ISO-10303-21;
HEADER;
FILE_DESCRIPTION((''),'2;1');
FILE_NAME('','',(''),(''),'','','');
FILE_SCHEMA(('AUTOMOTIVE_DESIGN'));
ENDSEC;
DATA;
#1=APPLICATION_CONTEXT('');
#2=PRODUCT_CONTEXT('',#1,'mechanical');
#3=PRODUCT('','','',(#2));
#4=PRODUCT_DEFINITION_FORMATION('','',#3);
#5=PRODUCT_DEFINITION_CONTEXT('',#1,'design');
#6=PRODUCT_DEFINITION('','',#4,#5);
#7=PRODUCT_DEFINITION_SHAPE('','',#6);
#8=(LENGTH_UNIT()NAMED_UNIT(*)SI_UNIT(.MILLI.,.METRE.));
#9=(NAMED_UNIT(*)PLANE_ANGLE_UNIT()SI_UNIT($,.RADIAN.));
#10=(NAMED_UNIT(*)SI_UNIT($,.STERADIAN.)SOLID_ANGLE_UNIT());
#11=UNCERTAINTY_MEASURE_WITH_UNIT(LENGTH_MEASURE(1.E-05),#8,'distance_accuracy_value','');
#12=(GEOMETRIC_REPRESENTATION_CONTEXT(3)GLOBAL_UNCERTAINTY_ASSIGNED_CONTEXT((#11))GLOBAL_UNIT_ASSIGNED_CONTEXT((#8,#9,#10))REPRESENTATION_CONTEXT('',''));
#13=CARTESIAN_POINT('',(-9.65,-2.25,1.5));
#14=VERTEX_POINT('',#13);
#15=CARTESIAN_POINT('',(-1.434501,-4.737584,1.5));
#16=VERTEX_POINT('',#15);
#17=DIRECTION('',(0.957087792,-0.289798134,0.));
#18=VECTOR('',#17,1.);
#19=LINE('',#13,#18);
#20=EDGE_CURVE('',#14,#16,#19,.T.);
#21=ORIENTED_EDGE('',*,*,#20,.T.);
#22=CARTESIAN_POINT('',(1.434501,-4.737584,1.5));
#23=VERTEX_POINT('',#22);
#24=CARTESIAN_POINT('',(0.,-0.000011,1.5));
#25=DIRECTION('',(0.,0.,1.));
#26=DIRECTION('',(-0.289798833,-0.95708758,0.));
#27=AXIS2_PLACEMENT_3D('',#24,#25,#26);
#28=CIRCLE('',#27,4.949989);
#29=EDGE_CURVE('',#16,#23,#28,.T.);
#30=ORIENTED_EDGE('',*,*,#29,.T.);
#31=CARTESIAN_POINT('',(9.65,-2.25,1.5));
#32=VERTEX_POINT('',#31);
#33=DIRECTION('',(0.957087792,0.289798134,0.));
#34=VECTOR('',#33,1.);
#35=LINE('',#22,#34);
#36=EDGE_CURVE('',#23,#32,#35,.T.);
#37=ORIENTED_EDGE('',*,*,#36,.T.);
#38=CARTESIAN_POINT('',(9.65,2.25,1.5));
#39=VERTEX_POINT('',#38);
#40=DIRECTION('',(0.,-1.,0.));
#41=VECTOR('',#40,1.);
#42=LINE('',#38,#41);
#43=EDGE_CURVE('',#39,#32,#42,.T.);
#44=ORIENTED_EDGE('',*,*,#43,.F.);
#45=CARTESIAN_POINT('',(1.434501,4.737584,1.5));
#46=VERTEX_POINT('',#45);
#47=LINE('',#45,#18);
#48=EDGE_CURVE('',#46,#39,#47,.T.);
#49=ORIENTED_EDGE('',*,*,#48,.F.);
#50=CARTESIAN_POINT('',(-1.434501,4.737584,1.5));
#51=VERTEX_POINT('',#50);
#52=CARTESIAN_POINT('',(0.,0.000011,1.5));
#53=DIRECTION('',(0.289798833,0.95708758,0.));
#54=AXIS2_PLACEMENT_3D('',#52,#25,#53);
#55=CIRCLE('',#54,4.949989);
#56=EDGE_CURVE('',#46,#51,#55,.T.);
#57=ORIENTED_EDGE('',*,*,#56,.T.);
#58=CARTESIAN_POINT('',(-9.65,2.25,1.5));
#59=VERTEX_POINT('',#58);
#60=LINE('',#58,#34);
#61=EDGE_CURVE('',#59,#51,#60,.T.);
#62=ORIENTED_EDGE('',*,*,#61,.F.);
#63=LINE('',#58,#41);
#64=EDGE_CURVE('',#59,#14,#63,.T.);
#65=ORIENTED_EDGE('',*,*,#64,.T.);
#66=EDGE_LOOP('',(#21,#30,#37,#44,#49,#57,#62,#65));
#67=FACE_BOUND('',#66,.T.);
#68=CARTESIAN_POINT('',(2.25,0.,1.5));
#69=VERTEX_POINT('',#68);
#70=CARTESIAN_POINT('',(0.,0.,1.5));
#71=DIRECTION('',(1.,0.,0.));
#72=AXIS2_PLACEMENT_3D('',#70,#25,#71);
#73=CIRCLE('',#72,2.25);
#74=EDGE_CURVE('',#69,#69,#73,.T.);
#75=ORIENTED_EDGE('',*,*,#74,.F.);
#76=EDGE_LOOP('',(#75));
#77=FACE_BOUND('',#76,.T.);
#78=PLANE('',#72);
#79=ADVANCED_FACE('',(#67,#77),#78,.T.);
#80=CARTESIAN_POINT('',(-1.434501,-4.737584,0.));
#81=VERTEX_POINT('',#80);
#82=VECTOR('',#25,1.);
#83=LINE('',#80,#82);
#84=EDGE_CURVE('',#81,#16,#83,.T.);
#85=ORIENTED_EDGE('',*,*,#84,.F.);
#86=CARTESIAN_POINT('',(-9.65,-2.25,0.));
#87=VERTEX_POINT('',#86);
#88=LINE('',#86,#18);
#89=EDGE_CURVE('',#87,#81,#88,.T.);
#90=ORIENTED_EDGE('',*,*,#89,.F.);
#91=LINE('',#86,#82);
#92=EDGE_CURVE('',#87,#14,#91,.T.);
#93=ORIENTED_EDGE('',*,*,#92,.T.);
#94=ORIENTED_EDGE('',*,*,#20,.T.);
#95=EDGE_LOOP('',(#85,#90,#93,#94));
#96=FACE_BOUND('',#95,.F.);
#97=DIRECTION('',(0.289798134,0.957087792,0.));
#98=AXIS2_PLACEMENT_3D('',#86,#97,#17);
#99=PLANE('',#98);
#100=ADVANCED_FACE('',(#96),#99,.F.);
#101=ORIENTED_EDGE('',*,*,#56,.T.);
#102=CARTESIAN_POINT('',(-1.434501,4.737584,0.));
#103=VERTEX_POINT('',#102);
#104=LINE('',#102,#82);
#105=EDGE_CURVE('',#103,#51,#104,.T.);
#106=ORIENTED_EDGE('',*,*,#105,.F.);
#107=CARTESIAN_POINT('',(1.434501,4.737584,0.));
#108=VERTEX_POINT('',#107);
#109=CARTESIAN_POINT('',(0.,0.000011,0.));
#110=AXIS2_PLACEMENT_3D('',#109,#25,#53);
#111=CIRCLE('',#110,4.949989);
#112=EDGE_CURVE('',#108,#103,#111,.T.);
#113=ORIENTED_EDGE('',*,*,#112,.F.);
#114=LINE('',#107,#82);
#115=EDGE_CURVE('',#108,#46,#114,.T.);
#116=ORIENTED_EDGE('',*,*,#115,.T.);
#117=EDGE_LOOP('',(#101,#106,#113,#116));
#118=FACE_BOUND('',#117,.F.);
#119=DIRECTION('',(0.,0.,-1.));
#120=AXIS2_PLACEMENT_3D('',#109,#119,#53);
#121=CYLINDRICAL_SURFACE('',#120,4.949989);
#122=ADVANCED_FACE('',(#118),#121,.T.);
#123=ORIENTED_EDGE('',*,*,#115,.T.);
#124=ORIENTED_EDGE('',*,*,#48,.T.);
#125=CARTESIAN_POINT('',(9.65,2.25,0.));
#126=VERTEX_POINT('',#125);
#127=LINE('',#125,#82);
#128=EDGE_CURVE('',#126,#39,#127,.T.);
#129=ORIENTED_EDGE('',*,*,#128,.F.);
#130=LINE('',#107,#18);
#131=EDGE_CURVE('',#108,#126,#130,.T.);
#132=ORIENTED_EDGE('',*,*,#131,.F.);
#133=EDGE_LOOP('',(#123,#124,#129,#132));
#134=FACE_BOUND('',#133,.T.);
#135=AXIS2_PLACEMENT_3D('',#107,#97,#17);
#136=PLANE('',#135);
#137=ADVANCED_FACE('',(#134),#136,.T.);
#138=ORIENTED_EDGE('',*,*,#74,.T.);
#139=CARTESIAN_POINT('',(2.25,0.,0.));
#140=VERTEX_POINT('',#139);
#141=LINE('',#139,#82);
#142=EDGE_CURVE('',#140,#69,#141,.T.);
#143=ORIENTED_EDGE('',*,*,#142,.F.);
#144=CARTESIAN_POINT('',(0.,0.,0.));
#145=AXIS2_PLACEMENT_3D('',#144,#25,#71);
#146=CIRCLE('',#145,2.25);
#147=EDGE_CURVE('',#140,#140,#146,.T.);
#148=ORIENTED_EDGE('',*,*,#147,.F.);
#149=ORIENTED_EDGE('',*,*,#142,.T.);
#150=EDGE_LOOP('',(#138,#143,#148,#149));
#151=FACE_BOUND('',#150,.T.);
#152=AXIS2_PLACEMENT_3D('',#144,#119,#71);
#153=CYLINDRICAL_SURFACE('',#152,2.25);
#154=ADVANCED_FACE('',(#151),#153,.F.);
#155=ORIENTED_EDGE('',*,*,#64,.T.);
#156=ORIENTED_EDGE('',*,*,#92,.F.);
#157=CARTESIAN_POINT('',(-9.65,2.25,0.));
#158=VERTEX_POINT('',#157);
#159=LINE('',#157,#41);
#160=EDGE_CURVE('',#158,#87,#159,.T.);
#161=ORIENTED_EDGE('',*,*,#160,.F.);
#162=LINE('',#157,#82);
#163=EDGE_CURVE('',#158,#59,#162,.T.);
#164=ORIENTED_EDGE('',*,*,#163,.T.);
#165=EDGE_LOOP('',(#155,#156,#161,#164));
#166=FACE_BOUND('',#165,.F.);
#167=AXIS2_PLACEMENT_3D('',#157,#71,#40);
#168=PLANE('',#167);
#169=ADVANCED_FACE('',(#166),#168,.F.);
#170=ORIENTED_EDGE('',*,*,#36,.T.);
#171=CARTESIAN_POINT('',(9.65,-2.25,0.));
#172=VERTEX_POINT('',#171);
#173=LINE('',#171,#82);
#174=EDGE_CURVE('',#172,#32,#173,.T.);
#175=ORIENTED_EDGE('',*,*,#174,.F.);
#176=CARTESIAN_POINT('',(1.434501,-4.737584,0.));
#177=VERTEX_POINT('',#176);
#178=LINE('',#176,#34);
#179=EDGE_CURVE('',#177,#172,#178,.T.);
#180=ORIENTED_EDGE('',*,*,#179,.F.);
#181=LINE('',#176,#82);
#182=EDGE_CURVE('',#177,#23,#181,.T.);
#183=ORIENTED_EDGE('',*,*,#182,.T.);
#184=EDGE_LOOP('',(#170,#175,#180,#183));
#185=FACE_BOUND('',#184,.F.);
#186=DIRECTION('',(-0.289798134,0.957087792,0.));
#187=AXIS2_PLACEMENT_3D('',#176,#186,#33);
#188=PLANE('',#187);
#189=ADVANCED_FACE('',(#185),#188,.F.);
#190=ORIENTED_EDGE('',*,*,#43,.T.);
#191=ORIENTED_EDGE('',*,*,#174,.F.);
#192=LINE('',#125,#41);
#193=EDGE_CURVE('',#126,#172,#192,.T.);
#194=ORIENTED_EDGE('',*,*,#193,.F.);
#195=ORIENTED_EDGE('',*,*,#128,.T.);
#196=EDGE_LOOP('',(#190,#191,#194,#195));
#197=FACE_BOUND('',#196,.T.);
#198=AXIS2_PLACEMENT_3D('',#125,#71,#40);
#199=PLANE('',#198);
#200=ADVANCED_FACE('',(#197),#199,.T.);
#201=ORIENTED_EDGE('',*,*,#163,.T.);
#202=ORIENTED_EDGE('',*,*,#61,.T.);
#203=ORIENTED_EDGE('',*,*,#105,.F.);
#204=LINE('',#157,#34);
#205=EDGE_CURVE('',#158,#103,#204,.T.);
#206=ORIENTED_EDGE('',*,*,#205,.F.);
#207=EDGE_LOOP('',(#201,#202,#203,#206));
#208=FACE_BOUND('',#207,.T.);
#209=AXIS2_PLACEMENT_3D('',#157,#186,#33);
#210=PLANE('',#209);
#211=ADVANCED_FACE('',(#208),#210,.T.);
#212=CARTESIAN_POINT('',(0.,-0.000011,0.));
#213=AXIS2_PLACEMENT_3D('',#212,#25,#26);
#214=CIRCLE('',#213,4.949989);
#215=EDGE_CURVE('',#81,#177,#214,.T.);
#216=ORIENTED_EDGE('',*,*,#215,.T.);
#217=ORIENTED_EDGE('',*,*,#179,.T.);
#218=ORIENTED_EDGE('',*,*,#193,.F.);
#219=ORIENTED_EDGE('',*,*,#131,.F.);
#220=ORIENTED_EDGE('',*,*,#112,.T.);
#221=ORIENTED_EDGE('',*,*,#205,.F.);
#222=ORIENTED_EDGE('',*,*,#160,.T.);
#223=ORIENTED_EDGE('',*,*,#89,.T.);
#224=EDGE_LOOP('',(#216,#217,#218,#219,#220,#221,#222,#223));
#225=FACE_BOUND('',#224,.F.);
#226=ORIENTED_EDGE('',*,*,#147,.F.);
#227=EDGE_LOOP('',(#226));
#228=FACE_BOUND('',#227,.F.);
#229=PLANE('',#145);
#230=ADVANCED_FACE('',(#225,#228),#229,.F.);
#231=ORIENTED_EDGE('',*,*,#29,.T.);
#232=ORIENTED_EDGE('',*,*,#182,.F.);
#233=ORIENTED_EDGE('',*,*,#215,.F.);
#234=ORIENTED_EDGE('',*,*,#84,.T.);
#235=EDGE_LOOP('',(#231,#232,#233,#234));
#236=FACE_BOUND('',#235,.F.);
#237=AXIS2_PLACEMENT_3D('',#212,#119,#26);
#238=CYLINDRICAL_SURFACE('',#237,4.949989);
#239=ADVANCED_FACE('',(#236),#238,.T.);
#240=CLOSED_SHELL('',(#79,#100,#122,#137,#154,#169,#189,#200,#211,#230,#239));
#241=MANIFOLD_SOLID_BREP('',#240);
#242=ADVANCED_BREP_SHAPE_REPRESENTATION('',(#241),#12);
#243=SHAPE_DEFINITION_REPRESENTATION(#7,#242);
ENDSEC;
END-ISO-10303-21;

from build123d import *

# Parameters (mm, degrees)
SKETCH_R  = 2.25
PAD_DEPTH = 1.5


with BuildPart() as part:
    # Sketch → Pad (new body)
    with BuildSketch(Plane.XY):
        with BuildLine():
            ThreePointArc((1.434501, 4.737584), (0, 4.95), (-1.434501, 4.737584))
            Line((-9.65, 2.25), (-1.434501, 4.737584))
            Line((-9.65, 2.25), (-9.65, -2.25))
            Line((-9.65, -2.25), (-1.434501, -4.737584))
            ThreePointArc((-1.434501, -4.737584), (0, -4.95), (1.434501, -4.737584))
            Line((1.434501, -4.737584), (9.65, -2.25))
            Line((9.65, 2.25), (9.65, -2.25))
            Line((1.434501, 4.737584), (9.65, 2.25))
        make_face()
        Circle(SKETCH_R, mode=Mode.SUBTRACT)
    extrude(amount=PAD_DEPTH)


solid = part.part
